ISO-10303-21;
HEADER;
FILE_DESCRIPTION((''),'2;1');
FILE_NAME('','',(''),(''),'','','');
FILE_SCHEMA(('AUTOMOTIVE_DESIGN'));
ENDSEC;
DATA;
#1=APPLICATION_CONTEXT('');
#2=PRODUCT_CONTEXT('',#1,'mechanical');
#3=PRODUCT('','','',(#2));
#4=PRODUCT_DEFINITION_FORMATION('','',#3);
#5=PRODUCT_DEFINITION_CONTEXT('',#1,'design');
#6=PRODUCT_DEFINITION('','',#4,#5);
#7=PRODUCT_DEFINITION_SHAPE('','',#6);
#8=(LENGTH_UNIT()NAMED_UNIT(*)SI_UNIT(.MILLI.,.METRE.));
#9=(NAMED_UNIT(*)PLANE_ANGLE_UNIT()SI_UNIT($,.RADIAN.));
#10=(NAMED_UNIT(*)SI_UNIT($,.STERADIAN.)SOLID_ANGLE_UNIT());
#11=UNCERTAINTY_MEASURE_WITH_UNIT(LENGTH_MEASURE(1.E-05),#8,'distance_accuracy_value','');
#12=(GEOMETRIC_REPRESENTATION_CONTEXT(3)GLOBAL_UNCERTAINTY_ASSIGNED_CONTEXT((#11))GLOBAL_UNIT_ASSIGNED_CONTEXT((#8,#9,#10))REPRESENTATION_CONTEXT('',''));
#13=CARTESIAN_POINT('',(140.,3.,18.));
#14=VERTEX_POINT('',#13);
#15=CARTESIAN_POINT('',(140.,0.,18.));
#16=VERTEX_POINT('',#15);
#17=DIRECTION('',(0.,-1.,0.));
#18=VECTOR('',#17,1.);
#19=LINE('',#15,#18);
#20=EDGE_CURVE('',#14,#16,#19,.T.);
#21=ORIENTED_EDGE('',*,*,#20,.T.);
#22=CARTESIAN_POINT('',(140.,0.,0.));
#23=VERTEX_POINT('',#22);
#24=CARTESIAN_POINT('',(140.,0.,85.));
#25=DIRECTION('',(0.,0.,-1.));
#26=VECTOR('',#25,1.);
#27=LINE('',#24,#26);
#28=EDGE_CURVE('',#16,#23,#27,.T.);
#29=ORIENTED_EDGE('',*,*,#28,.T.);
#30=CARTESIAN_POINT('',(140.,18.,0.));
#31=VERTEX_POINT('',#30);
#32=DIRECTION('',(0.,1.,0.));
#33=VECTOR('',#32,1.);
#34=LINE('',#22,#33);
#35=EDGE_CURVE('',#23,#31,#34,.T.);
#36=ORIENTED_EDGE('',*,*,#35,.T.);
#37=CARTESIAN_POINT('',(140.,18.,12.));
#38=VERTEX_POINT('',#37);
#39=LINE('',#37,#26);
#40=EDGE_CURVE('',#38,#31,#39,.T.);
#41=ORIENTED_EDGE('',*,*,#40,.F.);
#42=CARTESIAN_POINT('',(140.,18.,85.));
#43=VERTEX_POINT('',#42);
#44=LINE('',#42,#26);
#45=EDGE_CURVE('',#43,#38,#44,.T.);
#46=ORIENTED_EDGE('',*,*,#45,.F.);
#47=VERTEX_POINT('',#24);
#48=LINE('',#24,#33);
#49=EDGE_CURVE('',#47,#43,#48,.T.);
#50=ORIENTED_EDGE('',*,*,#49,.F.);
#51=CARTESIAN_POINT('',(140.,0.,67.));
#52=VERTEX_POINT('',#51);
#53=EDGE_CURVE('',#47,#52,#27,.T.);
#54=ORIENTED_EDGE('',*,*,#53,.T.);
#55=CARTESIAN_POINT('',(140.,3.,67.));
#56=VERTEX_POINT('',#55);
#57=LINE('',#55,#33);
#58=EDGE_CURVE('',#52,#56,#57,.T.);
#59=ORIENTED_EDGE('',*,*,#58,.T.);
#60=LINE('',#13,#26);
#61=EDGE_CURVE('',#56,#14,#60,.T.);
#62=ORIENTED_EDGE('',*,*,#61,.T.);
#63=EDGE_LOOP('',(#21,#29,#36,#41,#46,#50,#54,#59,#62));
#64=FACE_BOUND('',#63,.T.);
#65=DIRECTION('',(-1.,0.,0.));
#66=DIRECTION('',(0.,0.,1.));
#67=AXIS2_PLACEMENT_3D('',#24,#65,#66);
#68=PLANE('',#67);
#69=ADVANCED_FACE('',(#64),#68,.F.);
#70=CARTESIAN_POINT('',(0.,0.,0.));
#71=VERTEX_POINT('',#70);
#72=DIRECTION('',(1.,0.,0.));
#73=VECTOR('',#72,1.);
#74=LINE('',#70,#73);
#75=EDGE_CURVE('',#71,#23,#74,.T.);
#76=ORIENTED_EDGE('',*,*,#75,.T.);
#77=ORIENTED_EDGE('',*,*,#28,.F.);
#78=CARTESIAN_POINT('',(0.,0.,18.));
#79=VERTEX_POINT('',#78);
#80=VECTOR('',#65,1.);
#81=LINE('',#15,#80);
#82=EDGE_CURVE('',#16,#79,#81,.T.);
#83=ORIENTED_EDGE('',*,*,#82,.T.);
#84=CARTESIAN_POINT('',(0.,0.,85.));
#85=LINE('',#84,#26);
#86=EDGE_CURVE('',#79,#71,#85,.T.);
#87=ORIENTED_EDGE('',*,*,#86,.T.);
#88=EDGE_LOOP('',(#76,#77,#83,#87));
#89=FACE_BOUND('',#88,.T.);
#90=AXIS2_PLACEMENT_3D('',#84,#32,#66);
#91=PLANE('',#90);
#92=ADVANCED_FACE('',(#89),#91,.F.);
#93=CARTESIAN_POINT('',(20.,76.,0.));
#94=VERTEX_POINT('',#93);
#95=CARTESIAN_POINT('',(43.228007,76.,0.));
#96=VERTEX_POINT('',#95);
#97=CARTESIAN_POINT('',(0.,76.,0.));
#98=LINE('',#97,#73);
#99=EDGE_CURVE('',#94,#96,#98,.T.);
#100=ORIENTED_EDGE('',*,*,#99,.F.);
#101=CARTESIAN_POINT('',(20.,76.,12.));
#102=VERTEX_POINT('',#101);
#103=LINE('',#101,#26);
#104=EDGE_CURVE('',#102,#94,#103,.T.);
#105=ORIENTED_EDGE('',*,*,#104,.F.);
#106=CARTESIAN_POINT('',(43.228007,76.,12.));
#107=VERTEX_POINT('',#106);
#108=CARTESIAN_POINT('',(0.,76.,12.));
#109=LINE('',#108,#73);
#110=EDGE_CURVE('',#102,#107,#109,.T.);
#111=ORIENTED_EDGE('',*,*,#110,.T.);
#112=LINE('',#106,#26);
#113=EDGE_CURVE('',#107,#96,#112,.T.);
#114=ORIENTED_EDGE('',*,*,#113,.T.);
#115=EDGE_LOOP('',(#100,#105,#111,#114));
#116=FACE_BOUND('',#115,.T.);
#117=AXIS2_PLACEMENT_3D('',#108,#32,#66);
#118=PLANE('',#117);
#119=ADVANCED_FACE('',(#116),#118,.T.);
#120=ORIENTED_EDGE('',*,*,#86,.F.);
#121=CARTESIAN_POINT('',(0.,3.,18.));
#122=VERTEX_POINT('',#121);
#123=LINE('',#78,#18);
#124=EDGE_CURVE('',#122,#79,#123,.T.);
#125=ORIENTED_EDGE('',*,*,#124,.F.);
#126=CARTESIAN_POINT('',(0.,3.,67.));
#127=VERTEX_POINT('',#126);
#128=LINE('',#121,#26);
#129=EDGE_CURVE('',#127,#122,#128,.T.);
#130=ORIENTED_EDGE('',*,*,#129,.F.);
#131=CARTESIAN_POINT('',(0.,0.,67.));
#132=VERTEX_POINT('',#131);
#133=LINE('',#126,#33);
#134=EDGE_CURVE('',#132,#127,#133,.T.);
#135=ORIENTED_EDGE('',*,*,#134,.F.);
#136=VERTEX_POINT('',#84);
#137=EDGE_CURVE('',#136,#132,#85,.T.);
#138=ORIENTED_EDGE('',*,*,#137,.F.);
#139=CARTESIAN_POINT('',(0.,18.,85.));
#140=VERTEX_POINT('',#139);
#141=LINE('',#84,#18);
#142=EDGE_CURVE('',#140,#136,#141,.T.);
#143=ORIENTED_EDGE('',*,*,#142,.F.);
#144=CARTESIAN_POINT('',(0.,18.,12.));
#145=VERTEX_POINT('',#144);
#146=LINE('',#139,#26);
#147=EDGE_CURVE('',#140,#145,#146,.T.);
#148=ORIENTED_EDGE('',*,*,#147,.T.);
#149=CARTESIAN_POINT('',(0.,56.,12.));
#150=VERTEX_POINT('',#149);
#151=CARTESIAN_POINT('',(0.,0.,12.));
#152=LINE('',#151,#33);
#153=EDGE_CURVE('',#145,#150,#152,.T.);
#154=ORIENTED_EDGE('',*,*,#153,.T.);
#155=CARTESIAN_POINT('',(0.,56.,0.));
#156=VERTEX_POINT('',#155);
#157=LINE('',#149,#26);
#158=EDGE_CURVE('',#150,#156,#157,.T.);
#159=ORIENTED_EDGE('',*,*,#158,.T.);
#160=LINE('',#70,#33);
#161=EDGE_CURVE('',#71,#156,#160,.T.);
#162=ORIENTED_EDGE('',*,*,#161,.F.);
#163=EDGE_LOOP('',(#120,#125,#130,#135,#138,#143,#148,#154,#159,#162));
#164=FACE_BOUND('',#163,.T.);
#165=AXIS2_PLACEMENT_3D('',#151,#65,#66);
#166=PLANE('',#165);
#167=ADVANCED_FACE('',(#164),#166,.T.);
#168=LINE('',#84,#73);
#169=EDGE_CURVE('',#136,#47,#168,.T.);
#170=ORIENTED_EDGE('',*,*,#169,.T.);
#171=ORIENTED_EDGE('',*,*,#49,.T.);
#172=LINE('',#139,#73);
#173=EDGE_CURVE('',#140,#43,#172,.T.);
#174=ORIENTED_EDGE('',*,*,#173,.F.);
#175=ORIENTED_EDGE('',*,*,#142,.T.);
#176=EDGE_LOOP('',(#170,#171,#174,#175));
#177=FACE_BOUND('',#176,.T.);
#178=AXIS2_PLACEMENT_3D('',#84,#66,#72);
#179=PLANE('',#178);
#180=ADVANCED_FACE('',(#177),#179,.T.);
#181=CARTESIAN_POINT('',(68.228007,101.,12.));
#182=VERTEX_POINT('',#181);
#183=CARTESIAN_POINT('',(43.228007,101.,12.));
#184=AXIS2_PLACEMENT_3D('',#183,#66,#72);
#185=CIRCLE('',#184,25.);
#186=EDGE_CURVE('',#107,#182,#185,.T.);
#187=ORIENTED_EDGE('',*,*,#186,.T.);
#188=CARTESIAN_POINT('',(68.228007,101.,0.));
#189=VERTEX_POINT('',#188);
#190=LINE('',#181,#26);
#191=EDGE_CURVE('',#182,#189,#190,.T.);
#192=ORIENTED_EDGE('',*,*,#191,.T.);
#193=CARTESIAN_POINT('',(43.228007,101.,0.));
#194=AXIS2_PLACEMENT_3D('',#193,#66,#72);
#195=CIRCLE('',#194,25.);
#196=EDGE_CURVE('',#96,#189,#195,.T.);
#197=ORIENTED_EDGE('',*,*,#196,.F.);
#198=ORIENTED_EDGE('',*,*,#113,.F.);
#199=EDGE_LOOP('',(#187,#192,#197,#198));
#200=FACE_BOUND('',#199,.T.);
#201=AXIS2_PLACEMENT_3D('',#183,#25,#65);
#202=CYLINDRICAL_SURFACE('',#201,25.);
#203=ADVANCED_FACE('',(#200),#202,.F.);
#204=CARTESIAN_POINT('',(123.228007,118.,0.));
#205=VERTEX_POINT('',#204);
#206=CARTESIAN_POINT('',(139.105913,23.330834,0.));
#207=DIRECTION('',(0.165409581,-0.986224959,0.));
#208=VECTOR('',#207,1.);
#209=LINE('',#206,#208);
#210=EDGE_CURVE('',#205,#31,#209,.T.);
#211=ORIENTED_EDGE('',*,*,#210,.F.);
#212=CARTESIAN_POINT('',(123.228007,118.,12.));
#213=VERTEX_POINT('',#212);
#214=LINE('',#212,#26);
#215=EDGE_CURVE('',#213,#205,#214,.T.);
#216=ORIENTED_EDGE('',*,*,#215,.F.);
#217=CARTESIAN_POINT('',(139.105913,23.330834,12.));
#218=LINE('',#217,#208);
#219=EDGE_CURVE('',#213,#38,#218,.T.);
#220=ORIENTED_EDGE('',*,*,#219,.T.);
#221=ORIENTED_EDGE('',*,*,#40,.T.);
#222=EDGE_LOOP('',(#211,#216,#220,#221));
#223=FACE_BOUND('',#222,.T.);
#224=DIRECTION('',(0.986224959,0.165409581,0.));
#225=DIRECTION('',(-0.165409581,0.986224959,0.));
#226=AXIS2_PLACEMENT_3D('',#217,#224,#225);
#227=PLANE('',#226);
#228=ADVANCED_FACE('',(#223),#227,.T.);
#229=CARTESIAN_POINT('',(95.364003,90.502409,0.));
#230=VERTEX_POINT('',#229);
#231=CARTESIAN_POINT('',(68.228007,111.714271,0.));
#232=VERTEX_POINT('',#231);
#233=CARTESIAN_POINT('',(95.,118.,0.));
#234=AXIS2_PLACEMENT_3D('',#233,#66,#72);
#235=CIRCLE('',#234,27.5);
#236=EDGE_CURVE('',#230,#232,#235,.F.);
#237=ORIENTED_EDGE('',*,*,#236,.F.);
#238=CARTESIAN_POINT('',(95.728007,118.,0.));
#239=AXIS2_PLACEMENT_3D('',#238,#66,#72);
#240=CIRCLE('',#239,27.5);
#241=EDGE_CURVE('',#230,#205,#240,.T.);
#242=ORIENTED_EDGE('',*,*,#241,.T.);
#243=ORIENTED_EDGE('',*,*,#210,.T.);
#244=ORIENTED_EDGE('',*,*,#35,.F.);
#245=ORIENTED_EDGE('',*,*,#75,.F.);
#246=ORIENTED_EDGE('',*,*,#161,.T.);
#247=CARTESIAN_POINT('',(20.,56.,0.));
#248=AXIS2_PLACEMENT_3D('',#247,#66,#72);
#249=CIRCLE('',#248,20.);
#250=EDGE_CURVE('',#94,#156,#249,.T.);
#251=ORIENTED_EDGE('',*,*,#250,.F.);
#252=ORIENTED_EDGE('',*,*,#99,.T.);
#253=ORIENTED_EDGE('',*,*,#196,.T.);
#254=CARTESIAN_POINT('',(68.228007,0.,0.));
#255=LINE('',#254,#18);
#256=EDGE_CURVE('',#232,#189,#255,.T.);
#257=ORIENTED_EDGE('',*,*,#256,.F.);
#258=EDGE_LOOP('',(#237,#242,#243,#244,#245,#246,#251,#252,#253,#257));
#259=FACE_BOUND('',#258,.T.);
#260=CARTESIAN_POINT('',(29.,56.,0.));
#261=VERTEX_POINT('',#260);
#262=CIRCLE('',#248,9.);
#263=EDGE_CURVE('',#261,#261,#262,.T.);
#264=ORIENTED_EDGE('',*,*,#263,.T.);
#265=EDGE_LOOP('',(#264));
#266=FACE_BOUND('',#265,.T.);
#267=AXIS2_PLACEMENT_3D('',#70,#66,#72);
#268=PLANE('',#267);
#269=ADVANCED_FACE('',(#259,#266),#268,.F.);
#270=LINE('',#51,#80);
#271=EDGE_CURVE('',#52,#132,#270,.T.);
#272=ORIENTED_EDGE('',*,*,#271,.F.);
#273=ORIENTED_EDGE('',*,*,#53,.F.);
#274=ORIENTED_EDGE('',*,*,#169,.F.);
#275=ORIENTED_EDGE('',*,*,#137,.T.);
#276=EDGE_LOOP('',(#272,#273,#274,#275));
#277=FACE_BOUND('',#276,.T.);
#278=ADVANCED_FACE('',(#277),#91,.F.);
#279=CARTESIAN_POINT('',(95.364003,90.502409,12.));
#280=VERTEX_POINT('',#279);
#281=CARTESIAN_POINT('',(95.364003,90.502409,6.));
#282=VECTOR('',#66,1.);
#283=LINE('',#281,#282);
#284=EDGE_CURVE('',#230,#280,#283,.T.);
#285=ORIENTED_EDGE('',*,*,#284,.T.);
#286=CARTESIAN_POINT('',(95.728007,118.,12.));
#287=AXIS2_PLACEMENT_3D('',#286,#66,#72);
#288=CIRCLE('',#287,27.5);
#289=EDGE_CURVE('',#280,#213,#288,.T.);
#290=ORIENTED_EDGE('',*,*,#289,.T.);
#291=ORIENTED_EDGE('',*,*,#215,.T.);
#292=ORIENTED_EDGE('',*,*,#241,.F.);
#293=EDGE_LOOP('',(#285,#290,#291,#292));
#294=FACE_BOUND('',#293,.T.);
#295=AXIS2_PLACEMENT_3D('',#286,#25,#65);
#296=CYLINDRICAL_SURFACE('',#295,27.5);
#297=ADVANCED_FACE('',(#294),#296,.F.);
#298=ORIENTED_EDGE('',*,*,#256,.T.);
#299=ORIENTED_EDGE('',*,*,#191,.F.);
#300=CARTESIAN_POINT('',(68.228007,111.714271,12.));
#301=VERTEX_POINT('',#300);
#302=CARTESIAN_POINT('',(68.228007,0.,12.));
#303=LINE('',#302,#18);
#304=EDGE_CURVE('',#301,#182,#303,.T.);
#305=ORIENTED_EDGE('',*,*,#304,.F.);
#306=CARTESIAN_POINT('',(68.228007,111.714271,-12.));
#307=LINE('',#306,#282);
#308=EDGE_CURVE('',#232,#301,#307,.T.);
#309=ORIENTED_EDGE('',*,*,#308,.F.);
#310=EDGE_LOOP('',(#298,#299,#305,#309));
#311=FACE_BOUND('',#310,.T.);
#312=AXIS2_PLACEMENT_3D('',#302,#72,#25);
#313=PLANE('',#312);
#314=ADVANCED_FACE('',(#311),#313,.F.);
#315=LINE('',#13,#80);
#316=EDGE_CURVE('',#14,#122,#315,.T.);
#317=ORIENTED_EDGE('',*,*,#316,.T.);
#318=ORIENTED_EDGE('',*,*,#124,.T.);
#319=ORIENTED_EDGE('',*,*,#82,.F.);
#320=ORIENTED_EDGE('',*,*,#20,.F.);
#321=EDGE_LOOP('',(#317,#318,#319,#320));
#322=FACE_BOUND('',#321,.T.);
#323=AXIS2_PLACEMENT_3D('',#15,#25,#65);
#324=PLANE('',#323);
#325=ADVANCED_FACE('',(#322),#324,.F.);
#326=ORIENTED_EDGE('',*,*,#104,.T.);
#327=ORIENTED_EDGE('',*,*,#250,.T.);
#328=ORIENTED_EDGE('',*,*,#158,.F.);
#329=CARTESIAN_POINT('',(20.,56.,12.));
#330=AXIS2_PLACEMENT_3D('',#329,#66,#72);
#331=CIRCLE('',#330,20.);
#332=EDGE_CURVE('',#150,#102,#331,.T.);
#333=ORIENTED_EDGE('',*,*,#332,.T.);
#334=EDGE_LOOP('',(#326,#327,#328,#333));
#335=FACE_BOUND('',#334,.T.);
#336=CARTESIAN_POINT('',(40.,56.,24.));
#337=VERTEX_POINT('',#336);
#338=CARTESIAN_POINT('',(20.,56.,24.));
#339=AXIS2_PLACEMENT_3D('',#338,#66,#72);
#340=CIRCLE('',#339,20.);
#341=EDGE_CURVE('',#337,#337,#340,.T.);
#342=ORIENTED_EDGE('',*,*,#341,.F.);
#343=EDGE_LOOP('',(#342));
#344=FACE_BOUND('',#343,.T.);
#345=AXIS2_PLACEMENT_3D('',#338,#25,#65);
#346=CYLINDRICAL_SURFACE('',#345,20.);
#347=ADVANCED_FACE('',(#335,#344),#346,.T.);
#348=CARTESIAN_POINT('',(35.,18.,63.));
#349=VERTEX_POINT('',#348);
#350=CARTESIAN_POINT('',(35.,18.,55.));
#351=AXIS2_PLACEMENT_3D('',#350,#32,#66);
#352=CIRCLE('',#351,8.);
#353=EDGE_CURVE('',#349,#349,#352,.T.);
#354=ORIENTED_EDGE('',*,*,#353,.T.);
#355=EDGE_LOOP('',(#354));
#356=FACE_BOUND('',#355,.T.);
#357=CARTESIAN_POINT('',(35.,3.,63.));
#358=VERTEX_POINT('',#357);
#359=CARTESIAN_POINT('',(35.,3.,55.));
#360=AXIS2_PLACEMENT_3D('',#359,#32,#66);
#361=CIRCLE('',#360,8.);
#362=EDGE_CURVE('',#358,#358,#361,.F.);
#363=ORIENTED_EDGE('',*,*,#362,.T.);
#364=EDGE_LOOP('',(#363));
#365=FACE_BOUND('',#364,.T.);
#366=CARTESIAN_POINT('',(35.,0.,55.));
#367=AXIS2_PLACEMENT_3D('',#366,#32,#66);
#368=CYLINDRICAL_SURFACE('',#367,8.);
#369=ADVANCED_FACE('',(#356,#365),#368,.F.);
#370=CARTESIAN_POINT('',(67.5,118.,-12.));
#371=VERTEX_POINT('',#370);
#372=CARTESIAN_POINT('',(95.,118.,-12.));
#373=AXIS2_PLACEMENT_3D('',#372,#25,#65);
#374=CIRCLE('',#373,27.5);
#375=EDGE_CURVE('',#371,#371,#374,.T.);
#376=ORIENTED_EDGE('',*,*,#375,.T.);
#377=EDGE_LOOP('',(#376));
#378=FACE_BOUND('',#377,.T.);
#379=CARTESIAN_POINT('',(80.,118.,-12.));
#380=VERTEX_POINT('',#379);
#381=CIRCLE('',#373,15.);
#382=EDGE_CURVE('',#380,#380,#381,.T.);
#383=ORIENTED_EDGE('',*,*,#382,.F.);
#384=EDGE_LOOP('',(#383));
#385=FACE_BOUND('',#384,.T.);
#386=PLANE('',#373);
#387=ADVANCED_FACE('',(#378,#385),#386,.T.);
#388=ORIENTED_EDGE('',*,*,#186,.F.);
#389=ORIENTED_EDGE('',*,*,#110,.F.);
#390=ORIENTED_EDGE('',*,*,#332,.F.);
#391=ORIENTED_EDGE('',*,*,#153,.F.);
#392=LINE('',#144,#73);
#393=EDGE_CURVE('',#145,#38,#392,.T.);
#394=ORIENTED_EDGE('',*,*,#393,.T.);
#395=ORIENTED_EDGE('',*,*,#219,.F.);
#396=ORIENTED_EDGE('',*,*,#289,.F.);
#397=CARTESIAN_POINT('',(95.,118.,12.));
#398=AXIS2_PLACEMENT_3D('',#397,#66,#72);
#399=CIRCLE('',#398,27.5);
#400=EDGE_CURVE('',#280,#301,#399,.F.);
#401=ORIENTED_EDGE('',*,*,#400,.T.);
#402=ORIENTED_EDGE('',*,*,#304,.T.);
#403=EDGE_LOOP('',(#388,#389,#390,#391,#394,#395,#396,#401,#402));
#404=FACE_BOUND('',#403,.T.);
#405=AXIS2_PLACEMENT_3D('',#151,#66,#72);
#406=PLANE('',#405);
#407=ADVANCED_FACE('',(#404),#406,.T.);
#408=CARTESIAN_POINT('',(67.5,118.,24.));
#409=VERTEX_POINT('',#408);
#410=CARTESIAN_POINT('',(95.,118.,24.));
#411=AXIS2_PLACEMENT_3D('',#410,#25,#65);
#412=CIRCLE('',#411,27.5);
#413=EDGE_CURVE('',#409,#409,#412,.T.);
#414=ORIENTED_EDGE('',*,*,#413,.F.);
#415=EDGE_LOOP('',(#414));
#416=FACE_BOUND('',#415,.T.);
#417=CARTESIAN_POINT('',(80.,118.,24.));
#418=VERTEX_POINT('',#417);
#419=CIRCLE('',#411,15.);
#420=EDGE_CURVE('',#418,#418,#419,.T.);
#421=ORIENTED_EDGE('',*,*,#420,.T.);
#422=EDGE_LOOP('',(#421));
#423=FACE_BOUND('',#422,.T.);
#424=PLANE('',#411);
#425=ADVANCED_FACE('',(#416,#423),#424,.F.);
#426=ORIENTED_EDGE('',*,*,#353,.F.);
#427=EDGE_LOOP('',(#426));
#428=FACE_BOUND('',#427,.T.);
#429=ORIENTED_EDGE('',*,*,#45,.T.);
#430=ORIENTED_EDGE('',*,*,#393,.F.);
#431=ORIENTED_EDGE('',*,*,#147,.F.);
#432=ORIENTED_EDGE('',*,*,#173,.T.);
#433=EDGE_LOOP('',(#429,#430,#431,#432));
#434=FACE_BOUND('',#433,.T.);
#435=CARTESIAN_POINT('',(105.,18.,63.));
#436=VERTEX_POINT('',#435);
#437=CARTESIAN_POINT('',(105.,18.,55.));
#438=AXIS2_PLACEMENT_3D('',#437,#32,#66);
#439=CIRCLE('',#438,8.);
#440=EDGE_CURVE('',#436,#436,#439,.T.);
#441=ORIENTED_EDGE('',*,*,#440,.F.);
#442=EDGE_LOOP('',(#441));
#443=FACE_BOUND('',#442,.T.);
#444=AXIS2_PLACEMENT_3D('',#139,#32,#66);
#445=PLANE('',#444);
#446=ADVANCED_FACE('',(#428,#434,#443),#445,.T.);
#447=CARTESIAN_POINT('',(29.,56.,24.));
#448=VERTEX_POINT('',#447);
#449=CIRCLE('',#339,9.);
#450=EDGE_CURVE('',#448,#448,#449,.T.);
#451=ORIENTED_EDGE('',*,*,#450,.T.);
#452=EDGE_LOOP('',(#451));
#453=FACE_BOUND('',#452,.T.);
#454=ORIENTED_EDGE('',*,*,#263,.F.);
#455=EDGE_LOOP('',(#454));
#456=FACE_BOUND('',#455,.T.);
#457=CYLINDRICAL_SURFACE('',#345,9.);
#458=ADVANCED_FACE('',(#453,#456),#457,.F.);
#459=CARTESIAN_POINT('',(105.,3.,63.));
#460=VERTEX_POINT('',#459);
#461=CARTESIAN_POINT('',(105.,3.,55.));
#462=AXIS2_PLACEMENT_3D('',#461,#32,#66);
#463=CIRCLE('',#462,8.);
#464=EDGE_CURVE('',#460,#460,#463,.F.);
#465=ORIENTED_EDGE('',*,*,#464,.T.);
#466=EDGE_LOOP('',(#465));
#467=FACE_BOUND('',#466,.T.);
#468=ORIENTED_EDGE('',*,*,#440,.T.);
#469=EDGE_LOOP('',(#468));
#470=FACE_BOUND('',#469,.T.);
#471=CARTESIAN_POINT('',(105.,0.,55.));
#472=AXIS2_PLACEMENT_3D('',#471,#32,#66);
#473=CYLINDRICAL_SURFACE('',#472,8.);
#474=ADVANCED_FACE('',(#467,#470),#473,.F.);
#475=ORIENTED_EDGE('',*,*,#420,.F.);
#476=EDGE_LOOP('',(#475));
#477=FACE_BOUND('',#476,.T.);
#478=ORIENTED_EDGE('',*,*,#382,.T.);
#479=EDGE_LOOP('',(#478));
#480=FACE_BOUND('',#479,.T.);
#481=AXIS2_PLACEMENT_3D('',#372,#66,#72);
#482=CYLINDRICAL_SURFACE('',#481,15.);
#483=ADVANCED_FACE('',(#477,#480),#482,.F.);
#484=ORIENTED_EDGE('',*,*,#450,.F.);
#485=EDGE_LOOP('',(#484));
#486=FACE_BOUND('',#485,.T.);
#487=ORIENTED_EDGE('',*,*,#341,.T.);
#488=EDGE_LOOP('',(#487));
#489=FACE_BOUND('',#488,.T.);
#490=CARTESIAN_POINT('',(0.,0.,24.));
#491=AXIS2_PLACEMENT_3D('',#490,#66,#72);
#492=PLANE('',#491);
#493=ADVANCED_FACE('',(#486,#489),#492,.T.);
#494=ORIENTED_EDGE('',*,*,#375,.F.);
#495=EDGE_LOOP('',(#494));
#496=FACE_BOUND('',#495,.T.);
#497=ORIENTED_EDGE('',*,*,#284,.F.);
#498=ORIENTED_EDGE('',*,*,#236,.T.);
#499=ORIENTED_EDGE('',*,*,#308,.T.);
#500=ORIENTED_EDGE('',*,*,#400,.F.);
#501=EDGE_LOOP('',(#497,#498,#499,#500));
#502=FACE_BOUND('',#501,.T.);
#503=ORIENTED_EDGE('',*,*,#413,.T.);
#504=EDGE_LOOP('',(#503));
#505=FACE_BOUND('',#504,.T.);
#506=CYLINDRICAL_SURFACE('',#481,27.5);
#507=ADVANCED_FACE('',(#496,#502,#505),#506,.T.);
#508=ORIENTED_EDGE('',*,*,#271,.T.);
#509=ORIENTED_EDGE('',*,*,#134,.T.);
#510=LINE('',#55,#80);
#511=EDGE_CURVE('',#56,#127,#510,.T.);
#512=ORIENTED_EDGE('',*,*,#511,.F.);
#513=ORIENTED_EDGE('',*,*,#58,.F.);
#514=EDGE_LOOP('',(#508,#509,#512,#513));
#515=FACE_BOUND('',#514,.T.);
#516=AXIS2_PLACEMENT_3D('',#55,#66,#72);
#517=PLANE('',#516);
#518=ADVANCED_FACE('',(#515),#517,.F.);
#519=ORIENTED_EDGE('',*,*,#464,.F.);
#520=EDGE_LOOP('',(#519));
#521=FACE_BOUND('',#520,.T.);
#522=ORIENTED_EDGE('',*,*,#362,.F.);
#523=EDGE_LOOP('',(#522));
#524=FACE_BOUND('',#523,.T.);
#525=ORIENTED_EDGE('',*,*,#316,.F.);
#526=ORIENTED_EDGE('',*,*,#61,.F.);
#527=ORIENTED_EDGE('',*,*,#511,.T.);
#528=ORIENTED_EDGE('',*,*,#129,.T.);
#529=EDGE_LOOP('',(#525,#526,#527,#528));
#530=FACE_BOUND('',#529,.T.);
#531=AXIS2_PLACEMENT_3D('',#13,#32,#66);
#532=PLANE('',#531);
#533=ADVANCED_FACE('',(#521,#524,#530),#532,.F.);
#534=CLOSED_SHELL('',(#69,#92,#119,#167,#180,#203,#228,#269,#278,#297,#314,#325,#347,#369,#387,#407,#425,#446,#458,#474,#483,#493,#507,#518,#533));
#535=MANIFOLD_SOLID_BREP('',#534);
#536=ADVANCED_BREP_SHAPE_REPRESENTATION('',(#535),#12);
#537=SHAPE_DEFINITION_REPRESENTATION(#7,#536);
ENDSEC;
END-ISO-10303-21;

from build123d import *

# Parameters (mm, degrees)
BOSS_EXTRUDE1_DEPTH = 12
SKETCH1_3_R         = 9
BOSS_EXTRUDE2_DEPTH = 24
SKETCH1_4_W         = 140
SKETCH1_4_H         = 18
BOSS_EXTRUDE3_DEPTH = 85
SKETCH2_R           = 27.5
SKETCH2_R_2         = 15
BOSS_EXTRUDE4_DEPTH = 18
SKETCH3_R           = 8
CUT_EXTRUDE1_DEPTH  = 208.560232222
SKETCH5_W           = 49
SKETCH5_H           = 3
CUT_EXTRUDE2_DEPTH  = 220.078182392


with BuildPart() as part:
    # Sketch1 → Boss-Extrude1 (new body)
    with BuildSketch(Plane.XY):
        with BuildLine():
            Line((140, 18), (123.22800697, 118))
            ThreePointArc((123.22800697, 118), (95.72800697, 90.5), (68.22800697, 118))
            Line((68.22800697, 118), (68.22800697, 101))
            ThreePointArc((68.22800697, 101), (60.9056765, 83.32233047), (43.22800697, 76))
            Line((43.22800697, 76), (20, 76))
            ThreePointArc((20, 76), (34.142135624, 70.142135624), (40, 56))
            ThreePointArc((40, 56), (20, 36), (0, 56))
            Line((0, 56), (0, 18))
            Line((0, 18), (140, 18))
        make_face()
    extrude(amount=BOSS_EXTRUDE1_DEPTH)

    # Sketch1<3> → Boss-Extrude2 (add)
    with BuildSketch(Plane.XY):
        with BuildLine():
            ThreePointArc((20, 76), (5.857864376, 70.142135624), (0, 56))
            ThreePointArc((0, 56), (20, 36), (40, 56))
            ThreePointArc((40, 56), (34.142135624, 70.142135624), (20, 76))
        make_face()
        with Locations((20, 56)):
            Circle(SKETCH1_3_R, mode=Mode.SUBTRACT)
    extrude(amount=BOSS_EXTRUDE2_DEPTH)

    # Sketch1<4> → Boss-Extrude3 (add)
    with BuildSketch(Plane.XY):
        with Locations((70, 9)):
            Rectangle(SKETCH1_4_W, SKETCH1_4_H)
    extrude(amount=BOSS_EXTRUDE3_DEPTH)

    # Sketch2 → Boss-Extrude4 (add, symmetric)
    with BuildSketch(Plane(origin=(0, 0, 6), x_dir=(-1, 0, 0), z_dir=(0, 0, -1))):
        with Locations((-95, 118)):
            Circle(SKETCH2_R)
        with Locations((-95, 118)):
            Circle(SKETCH2_R_2, mode=Mode.SUBTRACT)
    extrude(amount=BOSS_EXTRUDE4_DEPTH, both=True)

    # Sketch3 → Cut-Extrude1 (cut, through all)
    with BuildSketch(Plane(origin=(0, 18, 0), x_dir=(1, 0, 0), z_dir=(0, 1, 0))):
        with Locations((105, -55)):
            Circle(SKETCH3_R)
        with Locations((35, -55)):
            Circle(SKETCH3_R)
    extrude(amount=-CUT_EXTRUDE1_DEPTH, mode=Mode.SUBTRACT)

    # Sketch5 → Cut-Extrude2 (cut, through all)
    with BuildSketch(Plane.ZY):
        with Locations((42.5, 1.5)):
            Rectangle(SKETCH5_W, SKETCH5_H)
    extrude(amount=-CUT_EXTRUDE2_DEPTH, mode=Mode.SUBTRACT)


solid = part.part
